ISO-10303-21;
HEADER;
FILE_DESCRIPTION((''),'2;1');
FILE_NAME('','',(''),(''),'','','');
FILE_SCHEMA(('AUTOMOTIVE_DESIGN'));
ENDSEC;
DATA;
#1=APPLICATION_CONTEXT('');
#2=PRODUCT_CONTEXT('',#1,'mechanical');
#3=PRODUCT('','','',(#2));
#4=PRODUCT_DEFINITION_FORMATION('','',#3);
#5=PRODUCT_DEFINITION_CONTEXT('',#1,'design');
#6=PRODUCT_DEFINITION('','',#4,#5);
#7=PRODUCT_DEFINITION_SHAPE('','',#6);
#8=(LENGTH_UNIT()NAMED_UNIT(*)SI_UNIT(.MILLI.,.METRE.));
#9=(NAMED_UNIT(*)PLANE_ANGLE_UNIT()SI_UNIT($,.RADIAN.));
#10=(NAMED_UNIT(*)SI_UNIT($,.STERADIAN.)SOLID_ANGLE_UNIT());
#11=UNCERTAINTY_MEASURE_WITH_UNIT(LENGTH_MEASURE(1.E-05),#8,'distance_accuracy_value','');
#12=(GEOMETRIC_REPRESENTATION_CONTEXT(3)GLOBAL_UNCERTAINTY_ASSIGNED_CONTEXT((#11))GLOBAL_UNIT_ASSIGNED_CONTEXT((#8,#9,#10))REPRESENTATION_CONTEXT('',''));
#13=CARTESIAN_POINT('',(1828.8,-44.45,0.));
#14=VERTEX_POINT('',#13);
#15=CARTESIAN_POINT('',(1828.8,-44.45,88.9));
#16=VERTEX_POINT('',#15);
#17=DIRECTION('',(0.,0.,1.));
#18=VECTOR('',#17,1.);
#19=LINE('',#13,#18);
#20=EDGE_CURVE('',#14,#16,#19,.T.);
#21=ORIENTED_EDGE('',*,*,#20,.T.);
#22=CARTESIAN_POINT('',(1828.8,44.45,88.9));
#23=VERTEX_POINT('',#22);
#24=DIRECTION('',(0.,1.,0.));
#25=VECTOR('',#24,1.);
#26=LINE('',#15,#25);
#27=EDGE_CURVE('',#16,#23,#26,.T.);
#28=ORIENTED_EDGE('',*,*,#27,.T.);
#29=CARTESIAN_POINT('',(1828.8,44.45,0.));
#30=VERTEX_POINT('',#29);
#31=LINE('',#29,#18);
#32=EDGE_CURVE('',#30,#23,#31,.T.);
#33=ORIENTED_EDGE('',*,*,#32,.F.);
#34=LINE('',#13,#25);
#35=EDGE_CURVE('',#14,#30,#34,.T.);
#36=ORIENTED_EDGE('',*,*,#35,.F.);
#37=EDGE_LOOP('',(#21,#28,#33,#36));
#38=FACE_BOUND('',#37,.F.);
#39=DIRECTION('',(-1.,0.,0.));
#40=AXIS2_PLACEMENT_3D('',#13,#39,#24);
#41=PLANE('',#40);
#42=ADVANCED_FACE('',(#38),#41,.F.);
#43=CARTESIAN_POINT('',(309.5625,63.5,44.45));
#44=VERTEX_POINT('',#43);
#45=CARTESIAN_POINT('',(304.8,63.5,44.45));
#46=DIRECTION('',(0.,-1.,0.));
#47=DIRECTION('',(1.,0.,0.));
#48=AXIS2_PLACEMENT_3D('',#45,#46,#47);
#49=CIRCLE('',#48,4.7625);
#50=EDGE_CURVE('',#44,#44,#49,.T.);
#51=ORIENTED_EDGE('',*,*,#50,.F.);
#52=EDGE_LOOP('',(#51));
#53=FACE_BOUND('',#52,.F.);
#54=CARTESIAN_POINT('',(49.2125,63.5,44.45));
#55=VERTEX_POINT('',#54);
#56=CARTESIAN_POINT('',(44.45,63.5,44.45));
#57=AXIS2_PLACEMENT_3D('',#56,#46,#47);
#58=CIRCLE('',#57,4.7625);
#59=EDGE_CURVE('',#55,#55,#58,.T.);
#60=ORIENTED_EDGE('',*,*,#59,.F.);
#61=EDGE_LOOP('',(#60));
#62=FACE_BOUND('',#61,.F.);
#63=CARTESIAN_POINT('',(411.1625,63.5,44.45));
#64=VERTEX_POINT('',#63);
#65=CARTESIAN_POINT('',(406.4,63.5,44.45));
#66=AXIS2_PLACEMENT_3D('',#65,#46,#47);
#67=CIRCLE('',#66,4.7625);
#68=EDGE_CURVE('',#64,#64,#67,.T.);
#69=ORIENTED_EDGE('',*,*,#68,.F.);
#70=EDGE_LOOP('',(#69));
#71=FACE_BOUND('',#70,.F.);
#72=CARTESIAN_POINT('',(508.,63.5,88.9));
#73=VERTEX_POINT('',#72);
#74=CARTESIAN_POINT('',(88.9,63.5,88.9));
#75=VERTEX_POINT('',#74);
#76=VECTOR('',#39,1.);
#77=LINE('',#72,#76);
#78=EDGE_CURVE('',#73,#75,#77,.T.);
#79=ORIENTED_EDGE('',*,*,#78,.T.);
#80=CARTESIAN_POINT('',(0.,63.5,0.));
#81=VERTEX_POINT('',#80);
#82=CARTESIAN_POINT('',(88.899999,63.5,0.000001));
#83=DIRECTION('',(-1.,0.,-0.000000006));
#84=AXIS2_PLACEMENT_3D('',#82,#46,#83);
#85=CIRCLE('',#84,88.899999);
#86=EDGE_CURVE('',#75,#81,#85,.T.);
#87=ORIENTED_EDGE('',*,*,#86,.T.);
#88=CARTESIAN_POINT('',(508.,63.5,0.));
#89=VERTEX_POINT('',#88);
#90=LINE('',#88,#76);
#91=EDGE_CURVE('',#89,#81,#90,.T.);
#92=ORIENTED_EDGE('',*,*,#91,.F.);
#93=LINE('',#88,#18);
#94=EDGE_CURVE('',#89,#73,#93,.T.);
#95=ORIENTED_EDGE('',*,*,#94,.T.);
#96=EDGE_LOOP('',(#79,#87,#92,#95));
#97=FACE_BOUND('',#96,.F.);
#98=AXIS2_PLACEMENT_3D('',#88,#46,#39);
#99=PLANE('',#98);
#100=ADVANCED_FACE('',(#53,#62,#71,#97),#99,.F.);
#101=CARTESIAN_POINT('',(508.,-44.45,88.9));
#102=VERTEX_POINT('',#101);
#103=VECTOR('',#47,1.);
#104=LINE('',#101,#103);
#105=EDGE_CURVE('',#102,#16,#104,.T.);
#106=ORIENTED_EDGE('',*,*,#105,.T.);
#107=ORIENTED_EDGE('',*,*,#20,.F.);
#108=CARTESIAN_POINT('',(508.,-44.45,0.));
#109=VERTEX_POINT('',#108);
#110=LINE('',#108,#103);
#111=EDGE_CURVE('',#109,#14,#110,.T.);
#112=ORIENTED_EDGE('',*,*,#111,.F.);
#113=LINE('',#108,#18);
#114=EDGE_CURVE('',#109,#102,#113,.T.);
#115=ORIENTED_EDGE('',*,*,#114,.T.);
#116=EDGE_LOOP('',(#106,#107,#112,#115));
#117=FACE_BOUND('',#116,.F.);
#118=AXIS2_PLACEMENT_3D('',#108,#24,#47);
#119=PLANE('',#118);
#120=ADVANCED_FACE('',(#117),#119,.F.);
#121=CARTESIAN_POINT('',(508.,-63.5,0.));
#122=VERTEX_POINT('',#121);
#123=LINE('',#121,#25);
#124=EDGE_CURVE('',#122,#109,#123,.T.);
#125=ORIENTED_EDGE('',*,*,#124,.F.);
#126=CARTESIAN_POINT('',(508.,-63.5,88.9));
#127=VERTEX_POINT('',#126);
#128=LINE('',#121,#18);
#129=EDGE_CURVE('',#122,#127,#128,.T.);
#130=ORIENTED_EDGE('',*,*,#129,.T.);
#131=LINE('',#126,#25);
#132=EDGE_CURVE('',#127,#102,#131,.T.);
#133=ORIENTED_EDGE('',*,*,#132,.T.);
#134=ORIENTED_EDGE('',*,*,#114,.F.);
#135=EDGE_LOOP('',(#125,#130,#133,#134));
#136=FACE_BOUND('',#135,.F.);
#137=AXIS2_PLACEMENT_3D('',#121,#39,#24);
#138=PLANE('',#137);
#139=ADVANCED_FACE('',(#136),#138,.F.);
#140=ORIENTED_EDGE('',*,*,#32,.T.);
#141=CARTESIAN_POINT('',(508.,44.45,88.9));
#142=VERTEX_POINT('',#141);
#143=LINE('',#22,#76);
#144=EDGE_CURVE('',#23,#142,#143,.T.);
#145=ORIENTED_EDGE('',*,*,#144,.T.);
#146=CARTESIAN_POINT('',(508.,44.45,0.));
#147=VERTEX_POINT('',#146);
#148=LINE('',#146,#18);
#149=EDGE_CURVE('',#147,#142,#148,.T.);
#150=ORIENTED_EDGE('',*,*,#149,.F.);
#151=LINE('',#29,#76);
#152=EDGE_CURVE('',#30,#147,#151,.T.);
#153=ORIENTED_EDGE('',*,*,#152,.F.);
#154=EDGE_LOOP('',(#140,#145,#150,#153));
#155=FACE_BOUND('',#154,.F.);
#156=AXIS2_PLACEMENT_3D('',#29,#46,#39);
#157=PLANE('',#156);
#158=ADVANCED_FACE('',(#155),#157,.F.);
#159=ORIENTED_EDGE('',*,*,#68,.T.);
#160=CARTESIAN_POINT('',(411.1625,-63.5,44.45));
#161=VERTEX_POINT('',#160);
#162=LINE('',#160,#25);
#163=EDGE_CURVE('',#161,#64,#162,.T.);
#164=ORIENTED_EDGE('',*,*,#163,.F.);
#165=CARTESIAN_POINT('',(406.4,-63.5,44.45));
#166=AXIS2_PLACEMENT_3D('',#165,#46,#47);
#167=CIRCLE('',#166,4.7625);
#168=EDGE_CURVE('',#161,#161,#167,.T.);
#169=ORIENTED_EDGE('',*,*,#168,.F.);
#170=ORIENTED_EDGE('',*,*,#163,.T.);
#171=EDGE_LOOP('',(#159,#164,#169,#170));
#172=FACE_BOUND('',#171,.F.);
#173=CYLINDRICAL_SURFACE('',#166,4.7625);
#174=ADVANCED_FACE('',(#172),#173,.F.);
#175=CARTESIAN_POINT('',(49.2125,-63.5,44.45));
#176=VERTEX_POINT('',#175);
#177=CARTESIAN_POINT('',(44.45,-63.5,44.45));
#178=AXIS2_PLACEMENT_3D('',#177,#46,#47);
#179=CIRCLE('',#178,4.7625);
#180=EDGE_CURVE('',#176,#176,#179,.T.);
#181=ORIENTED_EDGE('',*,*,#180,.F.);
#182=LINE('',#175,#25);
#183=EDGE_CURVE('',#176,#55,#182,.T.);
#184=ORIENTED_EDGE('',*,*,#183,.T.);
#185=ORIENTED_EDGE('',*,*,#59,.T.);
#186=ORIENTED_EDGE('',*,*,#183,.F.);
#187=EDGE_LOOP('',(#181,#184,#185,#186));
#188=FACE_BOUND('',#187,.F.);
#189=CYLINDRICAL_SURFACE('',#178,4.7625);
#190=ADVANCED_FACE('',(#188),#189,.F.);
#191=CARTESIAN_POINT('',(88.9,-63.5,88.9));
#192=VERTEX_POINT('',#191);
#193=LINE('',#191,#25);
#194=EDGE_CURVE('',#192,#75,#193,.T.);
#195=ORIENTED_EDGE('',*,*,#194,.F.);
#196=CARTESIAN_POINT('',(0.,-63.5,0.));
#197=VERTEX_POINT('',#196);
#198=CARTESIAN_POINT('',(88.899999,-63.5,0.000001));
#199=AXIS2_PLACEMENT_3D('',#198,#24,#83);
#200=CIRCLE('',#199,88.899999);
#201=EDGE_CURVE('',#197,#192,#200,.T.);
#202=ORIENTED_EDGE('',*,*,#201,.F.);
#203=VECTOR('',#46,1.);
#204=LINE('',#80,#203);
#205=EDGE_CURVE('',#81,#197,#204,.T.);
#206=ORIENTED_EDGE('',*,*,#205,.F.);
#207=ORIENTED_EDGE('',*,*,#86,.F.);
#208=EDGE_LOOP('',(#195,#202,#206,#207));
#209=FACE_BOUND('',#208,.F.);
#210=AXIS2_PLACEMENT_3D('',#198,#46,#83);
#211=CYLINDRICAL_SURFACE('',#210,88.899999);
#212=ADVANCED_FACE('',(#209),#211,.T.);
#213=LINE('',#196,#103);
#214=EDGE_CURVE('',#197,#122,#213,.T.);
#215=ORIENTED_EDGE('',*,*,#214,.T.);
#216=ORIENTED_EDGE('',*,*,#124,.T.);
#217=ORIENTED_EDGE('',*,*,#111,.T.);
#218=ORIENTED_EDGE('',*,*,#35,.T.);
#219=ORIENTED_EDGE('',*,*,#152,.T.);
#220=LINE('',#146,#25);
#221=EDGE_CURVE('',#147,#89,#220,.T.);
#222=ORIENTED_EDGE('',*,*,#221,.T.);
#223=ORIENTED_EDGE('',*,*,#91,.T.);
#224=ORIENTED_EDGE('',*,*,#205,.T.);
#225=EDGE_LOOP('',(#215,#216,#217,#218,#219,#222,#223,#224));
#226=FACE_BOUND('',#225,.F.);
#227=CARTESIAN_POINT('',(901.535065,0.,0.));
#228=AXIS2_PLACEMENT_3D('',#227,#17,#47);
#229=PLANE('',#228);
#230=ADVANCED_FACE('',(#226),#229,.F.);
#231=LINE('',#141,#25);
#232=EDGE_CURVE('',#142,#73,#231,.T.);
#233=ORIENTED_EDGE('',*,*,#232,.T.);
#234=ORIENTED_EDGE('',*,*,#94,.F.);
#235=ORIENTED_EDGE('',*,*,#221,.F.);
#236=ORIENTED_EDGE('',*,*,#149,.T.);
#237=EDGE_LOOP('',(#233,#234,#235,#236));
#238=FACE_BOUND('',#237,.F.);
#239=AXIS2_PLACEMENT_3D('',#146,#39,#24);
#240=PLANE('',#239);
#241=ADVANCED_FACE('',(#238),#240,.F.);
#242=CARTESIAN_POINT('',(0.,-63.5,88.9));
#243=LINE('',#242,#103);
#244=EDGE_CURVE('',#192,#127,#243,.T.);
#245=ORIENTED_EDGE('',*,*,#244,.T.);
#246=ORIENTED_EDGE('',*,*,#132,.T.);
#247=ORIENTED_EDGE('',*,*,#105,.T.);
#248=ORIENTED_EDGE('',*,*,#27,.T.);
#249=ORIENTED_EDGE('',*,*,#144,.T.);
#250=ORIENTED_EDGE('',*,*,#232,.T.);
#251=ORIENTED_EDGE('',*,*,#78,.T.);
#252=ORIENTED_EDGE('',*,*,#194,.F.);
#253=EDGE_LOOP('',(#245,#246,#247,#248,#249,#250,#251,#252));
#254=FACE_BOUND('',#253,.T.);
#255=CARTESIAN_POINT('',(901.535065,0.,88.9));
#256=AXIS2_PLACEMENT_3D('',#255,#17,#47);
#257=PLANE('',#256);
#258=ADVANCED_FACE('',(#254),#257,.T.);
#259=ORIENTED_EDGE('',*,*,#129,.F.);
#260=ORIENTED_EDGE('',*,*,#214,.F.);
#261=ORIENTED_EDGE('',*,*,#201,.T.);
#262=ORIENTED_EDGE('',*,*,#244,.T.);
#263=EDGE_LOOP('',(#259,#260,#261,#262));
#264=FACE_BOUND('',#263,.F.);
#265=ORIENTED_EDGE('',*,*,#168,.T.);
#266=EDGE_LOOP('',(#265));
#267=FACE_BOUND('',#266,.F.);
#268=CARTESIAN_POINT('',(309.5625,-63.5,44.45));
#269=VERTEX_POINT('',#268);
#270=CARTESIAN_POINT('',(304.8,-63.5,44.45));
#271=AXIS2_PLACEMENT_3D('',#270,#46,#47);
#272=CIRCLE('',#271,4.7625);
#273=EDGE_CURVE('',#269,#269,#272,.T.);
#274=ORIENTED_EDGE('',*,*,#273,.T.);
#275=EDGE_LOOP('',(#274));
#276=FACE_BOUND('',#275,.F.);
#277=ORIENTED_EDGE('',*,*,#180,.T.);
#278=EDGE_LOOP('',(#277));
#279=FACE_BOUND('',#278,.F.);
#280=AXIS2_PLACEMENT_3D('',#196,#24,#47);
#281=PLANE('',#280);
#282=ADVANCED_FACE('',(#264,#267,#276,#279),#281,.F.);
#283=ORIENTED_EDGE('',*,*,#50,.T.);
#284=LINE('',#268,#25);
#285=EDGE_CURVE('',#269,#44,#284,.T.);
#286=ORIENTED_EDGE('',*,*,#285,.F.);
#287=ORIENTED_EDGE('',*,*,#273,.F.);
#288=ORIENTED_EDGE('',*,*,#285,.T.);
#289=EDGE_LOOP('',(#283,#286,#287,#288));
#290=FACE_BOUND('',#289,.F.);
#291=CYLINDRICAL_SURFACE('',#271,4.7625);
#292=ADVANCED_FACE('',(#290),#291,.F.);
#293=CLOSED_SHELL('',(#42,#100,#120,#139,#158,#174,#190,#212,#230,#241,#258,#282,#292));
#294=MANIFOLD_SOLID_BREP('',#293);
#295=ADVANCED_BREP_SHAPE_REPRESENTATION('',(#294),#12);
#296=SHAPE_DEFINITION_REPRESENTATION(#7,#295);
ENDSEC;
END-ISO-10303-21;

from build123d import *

# Parameters (mm, degrees)
F1_DEPTH = 88.9
F2_R     = 4.7625
F3_DEPTH = 127.001
F5_DEPTH = 127.001


with BuildPart() as f1:
    # F0 (on Top) → F1 (new body)
    with BuildSketch(Plane.XY):
        Polygon((508, -63.5), (508, -44.45), (1828.8, -44.45), (1828.8, 44.45), (508, 44.45), (508, 63.5), (0, 63.5), (0, 44.45), (0, -44.45), (0, -63.5), align=None)
    extrude(amount=F1_DEPTH)

    # F2 (on face) → F3 (cut, through all)
    with BuildSketch(Plane.XZ.offset(63.5)):
        with Locations((44.45, 44.45)):
            Circle(F2_R)
        with Locations((304.8, 44.45)):
            Circle(F2_R)
        with Locations((406.4, 44.45)):
            Circle(F2_R)
    extrude(amount=-F3_DEPTH, mode=Mode.SUBTRACT)

    # F4 (on face) → F5 (cut, through all)
    with BuildSketch(Plane.XZ.offset(63.5)):
        with BuildLine():
            ThreePointArc((0, 0), (26.038207, 62.861793), (88.9, 88.9))
            Line((88.9, 88.9), (0, 88.9))
            Line((0, 88.9), (0, 0))
        make_face()
    extrude(amount=-F5_DEPTH, mode=Mode.SUBTRACT)


solid = f1.part
